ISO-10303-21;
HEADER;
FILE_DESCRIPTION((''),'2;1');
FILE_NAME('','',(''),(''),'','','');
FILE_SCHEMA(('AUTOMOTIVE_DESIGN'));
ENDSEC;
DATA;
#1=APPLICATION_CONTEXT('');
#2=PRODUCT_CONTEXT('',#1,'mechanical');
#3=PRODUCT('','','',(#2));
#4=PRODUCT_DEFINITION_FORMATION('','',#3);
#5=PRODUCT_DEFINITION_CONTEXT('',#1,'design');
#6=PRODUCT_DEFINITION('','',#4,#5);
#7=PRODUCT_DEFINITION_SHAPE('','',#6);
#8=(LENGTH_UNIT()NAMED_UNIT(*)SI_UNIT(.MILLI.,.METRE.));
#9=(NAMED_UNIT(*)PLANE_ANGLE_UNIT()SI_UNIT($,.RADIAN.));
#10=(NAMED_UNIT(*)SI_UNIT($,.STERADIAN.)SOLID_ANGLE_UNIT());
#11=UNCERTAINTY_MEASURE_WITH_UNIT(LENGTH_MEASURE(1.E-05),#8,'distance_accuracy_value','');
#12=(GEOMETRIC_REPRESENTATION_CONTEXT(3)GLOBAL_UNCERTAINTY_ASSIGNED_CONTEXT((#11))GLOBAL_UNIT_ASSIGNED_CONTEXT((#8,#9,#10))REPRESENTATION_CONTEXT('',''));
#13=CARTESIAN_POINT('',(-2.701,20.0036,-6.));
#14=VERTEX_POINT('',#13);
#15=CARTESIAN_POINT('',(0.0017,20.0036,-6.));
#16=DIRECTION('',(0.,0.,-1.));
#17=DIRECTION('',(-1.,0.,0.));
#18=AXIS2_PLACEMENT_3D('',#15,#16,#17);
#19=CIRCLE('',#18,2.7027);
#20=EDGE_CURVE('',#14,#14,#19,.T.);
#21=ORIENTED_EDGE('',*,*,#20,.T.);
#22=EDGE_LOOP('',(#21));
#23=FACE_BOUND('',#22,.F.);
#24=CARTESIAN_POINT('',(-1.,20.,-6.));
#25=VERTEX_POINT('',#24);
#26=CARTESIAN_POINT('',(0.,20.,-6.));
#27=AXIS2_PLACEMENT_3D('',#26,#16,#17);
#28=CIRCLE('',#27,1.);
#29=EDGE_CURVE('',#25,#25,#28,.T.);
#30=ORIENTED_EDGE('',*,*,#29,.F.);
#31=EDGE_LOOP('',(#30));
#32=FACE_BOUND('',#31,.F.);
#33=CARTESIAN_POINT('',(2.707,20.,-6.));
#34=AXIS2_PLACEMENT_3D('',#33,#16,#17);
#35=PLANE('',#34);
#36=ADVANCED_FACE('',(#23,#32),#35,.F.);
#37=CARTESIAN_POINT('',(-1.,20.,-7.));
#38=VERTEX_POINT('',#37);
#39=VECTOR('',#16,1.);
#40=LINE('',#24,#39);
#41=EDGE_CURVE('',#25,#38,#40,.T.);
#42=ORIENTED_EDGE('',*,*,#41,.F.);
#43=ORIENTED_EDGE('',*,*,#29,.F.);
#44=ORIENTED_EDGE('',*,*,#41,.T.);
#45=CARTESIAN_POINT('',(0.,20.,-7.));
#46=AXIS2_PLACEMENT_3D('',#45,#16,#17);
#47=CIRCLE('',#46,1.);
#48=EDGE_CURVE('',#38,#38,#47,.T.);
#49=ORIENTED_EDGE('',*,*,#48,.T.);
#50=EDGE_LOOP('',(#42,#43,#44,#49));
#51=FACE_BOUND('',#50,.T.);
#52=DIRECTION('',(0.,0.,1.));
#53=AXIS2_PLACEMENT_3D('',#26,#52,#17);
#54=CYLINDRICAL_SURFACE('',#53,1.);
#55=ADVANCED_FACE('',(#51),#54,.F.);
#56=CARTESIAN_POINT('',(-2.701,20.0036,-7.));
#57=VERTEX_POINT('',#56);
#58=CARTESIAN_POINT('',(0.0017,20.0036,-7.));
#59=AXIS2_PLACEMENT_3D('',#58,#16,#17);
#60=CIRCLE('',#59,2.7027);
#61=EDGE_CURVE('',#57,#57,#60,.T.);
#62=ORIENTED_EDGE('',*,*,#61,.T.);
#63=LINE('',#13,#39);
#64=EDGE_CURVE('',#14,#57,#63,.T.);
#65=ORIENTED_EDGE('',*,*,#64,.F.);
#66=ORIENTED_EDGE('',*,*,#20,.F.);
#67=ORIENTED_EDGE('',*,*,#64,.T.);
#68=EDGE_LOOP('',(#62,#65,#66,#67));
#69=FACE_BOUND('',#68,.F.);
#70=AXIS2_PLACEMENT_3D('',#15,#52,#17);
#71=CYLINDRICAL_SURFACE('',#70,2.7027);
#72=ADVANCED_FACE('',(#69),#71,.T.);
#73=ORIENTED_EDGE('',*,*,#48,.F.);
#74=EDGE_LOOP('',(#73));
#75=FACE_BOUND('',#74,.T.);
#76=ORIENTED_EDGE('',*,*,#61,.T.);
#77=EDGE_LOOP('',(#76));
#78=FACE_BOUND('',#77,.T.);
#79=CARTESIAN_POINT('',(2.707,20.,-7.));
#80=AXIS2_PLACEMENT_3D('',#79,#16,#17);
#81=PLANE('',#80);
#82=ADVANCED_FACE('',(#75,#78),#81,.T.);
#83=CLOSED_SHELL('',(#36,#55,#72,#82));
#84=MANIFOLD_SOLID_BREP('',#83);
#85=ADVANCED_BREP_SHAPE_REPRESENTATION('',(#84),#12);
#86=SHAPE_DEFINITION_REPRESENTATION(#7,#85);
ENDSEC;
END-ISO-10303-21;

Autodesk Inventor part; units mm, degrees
ref_plane "YZ Plane" through (0, 0, 0) normal (1, 0, 0) x (0, 1, 0)
ref_plane "XZ Plane" through (0, 0, 0) normal (0, 1, 0) x (-1, 0, 0)
ref_plane "XY Plane" through (0, 0, 0) normal (0, 0, 1) x (1, 0, 0)
sketch "Эскиз1" plane through (2.707, 20, -6) normal (0, 0, -1) x (-1, 0, 0)
  circle A0 centre (2.7053, 0.0036) radius 2.7027 projected
  circle A1 centre (2.707, 0) radius 1 projected
  point P0 (2.707, -20)
extrude "Выдавливание1" add sketch "Эскиз1" along normal blind 1
sketch "Эскиз2" plane through (-1.2546, 3.8613, -4) normal (0, 0, 1) x (1, 0, 0)
  point P0 (1.2546, -3.8613)
properties part number "servo_arm_20131227-19207-m9y6rr-0"
